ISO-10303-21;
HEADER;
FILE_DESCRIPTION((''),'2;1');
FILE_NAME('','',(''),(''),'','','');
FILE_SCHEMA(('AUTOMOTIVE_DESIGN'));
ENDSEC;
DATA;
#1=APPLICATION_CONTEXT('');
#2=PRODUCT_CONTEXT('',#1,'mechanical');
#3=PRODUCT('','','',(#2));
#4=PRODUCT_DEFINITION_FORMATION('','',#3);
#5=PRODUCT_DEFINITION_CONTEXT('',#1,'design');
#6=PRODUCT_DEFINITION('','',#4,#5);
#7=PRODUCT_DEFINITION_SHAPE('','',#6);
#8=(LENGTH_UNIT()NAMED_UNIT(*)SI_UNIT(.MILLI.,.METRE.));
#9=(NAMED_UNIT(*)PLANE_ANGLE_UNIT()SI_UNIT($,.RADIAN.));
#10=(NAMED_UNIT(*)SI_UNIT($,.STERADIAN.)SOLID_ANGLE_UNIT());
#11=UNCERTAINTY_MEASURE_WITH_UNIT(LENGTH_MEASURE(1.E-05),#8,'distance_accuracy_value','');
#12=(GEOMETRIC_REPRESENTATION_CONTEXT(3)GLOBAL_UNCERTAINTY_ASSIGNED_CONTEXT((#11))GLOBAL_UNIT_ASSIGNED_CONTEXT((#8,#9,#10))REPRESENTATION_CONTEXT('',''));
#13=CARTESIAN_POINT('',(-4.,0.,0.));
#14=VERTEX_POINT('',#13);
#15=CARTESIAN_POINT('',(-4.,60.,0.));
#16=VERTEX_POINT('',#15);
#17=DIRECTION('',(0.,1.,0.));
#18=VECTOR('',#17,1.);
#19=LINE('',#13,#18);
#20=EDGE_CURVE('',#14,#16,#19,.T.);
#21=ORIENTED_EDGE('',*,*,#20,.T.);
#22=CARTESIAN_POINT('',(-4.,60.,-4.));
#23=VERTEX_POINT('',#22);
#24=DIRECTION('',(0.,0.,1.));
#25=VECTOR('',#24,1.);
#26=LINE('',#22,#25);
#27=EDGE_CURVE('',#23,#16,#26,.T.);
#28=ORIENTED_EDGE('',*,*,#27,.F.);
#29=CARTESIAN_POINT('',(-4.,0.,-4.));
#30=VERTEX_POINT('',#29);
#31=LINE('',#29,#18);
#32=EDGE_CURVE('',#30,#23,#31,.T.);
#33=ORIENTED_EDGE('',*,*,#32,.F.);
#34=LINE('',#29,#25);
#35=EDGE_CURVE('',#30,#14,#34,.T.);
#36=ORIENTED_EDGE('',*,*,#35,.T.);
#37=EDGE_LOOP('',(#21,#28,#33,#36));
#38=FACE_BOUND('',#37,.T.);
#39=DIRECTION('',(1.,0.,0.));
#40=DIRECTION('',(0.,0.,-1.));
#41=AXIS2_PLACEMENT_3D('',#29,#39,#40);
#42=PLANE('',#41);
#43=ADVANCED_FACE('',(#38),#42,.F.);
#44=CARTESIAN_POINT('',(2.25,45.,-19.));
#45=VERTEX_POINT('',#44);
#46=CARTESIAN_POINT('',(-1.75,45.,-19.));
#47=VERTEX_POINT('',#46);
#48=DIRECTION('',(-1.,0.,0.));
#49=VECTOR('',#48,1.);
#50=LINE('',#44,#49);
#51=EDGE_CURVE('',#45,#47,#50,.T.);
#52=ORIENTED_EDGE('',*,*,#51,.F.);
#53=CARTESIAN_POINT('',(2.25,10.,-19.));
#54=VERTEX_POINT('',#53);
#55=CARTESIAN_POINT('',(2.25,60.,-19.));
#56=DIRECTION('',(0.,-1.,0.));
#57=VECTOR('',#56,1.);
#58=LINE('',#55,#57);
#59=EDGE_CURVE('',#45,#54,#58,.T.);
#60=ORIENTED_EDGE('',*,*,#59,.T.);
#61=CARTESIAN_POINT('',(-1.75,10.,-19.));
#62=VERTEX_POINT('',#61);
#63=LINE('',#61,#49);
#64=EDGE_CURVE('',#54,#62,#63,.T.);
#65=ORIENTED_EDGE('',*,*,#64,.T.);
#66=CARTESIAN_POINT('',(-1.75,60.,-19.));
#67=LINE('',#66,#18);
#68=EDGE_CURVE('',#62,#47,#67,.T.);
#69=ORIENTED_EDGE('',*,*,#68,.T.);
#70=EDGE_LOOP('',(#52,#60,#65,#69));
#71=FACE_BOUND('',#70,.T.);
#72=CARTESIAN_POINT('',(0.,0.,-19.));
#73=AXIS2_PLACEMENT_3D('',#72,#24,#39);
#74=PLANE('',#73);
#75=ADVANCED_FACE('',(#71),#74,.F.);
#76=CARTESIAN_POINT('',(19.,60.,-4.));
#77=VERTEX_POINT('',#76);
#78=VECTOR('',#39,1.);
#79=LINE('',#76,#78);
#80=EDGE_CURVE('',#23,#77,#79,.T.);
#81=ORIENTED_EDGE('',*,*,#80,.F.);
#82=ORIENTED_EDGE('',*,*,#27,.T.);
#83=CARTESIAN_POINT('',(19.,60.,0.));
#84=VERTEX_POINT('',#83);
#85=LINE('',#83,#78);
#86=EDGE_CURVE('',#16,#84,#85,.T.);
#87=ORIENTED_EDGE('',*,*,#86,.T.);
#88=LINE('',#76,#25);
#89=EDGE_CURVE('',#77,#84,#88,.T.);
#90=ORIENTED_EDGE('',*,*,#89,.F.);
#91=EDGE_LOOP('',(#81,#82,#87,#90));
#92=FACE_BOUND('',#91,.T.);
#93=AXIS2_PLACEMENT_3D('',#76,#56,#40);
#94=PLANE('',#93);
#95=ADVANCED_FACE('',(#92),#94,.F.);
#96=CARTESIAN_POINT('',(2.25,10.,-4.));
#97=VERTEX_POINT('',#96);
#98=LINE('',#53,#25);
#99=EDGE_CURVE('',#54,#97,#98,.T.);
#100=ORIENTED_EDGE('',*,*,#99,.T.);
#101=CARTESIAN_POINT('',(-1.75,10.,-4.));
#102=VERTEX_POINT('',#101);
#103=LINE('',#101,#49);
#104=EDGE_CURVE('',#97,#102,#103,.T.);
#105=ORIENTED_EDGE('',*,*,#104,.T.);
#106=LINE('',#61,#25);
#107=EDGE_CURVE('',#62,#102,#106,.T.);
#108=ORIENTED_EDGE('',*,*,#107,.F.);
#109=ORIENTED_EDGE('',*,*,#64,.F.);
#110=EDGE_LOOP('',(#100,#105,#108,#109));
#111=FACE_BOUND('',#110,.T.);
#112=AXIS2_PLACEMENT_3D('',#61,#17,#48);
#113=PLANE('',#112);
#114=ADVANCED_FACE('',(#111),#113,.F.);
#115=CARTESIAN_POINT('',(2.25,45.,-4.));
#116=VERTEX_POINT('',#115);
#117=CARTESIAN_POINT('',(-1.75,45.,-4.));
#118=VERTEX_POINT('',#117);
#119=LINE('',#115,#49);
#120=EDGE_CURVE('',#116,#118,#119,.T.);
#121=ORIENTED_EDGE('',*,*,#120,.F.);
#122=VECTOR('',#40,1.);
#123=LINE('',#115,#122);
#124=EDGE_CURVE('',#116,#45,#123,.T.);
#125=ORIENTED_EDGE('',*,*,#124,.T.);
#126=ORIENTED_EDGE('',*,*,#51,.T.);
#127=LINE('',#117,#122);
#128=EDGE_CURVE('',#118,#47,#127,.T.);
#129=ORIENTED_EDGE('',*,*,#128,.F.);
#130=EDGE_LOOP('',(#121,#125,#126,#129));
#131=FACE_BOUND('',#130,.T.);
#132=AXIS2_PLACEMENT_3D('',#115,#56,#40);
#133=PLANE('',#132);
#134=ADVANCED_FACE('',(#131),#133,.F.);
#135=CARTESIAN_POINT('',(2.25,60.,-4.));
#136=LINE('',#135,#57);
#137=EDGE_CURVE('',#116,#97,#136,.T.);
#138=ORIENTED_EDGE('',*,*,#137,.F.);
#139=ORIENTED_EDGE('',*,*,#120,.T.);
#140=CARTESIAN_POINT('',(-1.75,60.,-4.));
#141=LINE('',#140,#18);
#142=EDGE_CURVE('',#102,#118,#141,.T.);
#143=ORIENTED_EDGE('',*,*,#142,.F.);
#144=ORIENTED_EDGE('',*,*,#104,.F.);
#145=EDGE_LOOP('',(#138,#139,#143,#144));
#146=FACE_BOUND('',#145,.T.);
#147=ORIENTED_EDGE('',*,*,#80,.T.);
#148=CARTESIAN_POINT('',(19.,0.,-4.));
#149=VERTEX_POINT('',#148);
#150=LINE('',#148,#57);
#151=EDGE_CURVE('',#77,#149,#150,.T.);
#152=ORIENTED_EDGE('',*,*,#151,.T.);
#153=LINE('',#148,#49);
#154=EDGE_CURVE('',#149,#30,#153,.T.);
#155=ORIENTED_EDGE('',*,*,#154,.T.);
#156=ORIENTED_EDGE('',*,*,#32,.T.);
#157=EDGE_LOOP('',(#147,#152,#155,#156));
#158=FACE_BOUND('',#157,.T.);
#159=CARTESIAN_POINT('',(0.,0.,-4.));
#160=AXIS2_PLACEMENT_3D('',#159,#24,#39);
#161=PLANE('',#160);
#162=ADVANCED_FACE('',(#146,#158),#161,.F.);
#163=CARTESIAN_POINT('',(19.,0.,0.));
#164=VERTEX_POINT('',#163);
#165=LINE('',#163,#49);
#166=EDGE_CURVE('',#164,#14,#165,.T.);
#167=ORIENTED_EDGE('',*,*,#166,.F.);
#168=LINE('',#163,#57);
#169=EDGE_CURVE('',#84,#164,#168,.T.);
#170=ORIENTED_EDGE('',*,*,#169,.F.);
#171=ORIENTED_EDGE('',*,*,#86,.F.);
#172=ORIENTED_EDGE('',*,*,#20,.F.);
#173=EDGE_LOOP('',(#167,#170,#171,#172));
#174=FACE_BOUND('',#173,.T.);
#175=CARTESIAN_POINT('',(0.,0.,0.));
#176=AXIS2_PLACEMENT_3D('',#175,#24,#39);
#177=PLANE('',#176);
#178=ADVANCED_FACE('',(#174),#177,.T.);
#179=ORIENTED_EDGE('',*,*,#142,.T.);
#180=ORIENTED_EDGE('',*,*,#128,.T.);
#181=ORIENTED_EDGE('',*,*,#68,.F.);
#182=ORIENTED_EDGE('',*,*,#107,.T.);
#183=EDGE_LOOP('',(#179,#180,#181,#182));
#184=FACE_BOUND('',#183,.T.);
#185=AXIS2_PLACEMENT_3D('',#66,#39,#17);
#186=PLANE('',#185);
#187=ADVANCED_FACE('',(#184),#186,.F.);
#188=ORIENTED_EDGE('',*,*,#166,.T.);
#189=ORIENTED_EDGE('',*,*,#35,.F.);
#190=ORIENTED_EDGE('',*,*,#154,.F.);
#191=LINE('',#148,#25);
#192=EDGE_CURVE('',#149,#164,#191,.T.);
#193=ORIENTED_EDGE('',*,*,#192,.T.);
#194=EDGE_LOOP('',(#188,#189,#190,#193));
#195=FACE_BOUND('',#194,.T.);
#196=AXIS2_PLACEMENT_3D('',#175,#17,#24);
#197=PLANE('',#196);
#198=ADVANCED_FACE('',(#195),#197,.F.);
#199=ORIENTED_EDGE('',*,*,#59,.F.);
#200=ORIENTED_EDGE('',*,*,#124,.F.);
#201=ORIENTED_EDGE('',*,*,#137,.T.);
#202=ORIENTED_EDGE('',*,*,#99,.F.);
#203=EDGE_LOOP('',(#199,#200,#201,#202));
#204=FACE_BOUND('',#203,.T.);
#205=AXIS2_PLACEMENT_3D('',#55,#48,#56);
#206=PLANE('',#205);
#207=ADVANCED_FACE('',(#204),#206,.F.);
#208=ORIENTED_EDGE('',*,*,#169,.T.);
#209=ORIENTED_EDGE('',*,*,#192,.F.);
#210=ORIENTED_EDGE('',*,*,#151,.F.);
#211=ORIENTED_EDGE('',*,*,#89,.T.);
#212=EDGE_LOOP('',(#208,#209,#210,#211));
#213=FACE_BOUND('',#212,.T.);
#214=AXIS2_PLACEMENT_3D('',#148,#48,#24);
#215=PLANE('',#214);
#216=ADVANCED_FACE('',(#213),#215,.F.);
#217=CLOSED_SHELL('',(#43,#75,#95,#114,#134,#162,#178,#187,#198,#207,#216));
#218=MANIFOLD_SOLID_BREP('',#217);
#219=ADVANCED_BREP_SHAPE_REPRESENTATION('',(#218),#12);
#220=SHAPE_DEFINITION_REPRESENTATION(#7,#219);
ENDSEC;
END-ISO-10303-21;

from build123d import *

# Parameters (mm, degrees)
SKETCH1_W           = 15
SKETCH1_H           = 80
BOSS_EXTRUDE1_DEPTH = 5
SKETCH3_W           = 23
SKETCH3_H           = 60
BOSS_EXTRUDE3_DEPTH = 4
SKETCH5_W           = 4
SKETCH5_H           = 50
BOSS_EXTRUDE5_DEPTH = 15
SKETCH6_W           = 15
SKETCH6_H           = 5
CUT_EXTRUDE1_DEPTH  = 80
SKETCH7_W           = 4
SKETCH7_H           = 15
CUT_EXTRUDE2_DEPTH  = 15


with BuildPart() as part:
    # Sketch1 → Boss-Extrude1 (new body)
    with BuildSketch(Plane(origin=(0, 0, 0), x_dir=(1, 0, 0), z_dir=(0, 1, 0))):
        with Locations((7.5, -40)):
            Rectangle(SKETCH1_W, SKETCH1_H)
    extrude(amount=BOSS_EXTRUDE1_DEPTH)

    # Sketch3 → Boss-Extrude3 (add)
    with BuildSketch(Plane(origin=(0, 0, 0), x_dir=(-1, 0, 0), z_dir=(0, 0, -1))):
        with Locations((-7.5, 30)):
            Rectangle(SKETCH3_W, SKETCH3_H)
    extrude(amount=BOSS_EXTRUDE3_DEPTH)

    # Sketch5 → Boss-Extrude5 (add)
    with BuildSketch(Plane(origin=(0, 0, -4), x_dir=(-1, 0, 0), z_dir=(0, 0, -1))):
        with Locations((-0.25, 35)):
            Rectangle(SKETCH5_W, SKETCH5_H)
    extrude(amount=BOSS_EXTRUDE5_DEPTH)

    # Sketch6 → Cut-Extrude1 (cut)
    with BuildSketch(Plane.XY.offset(80)):
        with Locations((7.5, 2.5)):
            Rectangle(SKETCH6_W, SKETCH6_H)
    extrude(amount=-CUT_EXTRUDE1_DEPTH, mode=Mode.SUBTRACT)

    # Sketch7 → Cut-Extrude2 (cut)
    with BuildSketch(Plane(origin=(0, 0, -19), x_dir=(-1, 0, 0), z_dir=(0, 0, -1))):
        with Locations((-0.25, 52.5)):
            Rectangle(SKETCH7_W, SKETCH7_H)
    extrude(amount=-CUT_EXTRUDE2_DEPTH, mode=Mode.SUBTRACT)


solid = part.part
